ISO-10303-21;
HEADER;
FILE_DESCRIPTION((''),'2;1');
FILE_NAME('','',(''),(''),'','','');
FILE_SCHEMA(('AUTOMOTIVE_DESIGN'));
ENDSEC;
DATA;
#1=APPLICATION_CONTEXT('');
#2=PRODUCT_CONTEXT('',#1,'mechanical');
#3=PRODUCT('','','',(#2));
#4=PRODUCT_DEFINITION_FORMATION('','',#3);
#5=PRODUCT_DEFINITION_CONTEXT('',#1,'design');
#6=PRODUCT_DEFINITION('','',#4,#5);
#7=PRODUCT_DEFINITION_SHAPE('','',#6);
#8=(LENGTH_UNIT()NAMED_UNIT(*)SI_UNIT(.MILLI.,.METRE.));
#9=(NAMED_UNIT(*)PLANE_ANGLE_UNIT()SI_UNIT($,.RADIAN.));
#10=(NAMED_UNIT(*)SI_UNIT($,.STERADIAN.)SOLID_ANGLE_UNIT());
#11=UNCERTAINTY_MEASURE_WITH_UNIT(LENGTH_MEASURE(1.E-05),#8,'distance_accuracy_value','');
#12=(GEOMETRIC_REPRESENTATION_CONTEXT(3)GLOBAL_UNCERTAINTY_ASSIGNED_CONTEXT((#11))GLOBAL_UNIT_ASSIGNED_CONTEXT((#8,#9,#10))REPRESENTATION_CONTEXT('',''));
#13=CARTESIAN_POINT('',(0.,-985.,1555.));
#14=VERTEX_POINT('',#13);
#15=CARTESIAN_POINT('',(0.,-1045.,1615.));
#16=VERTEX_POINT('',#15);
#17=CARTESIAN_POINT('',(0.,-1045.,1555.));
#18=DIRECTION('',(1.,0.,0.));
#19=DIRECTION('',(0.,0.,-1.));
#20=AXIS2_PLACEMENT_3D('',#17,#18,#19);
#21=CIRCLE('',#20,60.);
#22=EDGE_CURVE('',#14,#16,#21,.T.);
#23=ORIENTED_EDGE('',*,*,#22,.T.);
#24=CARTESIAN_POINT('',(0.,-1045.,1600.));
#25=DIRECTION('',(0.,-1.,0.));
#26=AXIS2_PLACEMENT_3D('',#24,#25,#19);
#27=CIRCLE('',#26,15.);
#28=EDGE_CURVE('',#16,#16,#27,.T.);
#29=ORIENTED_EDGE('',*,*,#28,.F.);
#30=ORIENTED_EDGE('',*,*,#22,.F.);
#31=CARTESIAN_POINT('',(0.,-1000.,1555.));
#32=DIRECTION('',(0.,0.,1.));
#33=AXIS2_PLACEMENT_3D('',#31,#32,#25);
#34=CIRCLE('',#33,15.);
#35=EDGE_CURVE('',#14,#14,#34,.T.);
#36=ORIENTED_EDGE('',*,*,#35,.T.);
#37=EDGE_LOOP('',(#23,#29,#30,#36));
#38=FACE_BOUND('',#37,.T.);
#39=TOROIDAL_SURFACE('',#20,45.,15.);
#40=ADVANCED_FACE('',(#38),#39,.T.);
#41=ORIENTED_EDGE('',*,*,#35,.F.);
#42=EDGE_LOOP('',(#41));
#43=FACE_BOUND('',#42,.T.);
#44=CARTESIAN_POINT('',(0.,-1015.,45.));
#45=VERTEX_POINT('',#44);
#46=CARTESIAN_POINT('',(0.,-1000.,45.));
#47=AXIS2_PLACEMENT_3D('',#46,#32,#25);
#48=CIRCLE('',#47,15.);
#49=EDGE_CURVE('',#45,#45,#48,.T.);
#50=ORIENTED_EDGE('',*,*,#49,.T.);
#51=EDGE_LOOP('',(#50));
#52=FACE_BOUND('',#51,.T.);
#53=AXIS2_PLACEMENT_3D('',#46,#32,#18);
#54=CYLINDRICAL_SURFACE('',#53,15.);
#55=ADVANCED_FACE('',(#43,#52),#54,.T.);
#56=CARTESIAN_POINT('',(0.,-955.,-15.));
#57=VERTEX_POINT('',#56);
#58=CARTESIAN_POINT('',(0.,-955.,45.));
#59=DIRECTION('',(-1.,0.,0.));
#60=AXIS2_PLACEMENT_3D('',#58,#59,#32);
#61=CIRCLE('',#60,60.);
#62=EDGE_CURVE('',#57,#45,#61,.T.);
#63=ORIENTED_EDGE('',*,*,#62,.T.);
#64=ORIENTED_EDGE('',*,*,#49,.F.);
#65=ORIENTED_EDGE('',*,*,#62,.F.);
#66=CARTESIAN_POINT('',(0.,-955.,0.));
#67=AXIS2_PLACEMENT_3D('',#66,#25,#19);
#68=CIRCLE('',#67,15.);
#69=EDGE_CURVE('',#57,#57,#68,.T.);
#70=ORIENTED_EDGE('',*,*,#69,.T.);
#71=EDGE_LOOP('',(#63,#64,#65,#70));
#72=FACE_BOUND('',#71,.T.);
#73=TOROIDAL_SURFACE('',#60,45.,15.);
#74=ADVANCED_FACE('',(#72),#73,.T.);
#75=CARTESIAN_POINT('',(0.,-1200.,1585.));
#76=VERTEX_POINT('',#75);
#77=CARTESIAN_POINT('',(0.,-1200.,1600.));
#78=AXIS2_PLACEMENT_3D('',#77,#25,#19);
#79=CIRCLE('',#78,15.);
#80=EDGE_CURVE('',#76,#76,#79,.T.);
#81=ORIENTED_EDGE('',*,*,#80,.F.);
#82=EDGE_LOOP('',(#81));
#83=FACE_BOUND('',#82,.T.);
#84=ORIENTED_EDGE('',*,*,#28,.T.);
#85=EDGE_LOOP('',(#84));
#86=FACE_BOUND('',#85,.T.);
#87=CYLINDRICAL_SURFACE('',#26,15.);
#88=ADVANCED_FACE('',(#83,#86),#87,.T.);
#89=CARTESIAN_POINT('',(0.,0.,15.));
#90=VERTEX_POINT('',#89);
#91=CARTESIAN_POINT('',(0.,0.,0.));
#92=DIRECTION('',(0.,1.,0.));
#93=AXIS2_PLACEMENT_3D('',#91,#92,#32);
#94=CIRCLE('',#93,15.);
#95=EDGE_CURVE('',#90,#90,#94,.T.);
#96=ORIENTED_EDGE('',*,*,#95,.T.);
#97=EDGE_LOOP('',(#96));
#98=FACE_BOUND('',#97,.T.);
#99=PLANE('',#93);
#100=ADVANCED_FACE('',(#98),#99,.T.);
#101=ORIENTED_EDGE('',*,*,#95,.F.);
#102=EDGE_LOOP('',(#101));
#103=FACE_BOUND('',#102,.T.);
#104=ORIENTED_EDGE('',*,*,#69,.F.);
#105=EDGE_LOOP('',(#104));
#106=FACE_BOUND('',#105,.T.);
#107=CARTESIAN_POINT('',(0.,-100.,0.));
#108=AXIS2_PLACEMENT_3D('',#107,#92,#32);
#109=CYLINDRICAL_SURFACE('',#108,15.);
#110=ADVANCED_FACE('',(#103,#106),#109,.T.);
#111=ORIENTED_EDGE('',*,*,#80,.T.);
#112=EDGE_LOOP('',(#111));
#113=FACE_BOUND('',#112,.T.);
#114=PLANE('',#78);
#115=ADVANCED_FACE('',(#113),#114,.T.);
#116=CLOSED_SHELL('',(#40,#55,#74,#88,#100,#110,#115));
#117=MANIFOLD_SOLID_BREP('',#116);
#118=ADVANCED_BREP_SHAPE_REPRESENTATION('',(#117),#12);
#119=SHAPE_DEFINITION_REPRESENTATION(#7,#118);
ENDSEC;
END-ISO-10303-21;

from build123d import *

# Parameters (mm, degrees)
CROQUIS1_R              = 15
SALIENTE_EXTRUIR1_DEPTH = 100
CROQUIS2_R              = 15


with BuildPart() as part:
    # Croquis1 → Saliente-Extruir1 (new body)
    with BuildSketch(Plane(origin=(0, 0, 0), x_dir=(1, 0, 0), z_dir=(0, 1, 0))):
        with Locations(Location((0, 0, 0), (0, 0, 270))):
            Circle(CROQUIS1_R)
    extrude(amount=-SALIENTE_EXTRUIR1_DEPTH)

    # Barrer1: sweep along a curve in space
    with BuildLine() as barrer1_path:
        Line((0, -100, 0), (0, -955, 0))
        ThreePointArc((0, -955, 0), (0, -986.819805153, 13.180194847), (0, -1000, 45))
        Line((0, -1000, 45), (0, -1000, 1555))
        ThreePointArc((0, -1000, 1555), (0, -1013.180194847, 1586.819805153), (0, -1045, 1600))
        Line((0, -1045, 1600), (0, -1200, 1600))
    # Croquis2 → Barrer1 (sweep)
    with BuildSketch(Plane.XZ.offset(100)):
        Circle(CROQUIS2_R)
    sweep(path=barrer1_path.line)


solid = part.part
